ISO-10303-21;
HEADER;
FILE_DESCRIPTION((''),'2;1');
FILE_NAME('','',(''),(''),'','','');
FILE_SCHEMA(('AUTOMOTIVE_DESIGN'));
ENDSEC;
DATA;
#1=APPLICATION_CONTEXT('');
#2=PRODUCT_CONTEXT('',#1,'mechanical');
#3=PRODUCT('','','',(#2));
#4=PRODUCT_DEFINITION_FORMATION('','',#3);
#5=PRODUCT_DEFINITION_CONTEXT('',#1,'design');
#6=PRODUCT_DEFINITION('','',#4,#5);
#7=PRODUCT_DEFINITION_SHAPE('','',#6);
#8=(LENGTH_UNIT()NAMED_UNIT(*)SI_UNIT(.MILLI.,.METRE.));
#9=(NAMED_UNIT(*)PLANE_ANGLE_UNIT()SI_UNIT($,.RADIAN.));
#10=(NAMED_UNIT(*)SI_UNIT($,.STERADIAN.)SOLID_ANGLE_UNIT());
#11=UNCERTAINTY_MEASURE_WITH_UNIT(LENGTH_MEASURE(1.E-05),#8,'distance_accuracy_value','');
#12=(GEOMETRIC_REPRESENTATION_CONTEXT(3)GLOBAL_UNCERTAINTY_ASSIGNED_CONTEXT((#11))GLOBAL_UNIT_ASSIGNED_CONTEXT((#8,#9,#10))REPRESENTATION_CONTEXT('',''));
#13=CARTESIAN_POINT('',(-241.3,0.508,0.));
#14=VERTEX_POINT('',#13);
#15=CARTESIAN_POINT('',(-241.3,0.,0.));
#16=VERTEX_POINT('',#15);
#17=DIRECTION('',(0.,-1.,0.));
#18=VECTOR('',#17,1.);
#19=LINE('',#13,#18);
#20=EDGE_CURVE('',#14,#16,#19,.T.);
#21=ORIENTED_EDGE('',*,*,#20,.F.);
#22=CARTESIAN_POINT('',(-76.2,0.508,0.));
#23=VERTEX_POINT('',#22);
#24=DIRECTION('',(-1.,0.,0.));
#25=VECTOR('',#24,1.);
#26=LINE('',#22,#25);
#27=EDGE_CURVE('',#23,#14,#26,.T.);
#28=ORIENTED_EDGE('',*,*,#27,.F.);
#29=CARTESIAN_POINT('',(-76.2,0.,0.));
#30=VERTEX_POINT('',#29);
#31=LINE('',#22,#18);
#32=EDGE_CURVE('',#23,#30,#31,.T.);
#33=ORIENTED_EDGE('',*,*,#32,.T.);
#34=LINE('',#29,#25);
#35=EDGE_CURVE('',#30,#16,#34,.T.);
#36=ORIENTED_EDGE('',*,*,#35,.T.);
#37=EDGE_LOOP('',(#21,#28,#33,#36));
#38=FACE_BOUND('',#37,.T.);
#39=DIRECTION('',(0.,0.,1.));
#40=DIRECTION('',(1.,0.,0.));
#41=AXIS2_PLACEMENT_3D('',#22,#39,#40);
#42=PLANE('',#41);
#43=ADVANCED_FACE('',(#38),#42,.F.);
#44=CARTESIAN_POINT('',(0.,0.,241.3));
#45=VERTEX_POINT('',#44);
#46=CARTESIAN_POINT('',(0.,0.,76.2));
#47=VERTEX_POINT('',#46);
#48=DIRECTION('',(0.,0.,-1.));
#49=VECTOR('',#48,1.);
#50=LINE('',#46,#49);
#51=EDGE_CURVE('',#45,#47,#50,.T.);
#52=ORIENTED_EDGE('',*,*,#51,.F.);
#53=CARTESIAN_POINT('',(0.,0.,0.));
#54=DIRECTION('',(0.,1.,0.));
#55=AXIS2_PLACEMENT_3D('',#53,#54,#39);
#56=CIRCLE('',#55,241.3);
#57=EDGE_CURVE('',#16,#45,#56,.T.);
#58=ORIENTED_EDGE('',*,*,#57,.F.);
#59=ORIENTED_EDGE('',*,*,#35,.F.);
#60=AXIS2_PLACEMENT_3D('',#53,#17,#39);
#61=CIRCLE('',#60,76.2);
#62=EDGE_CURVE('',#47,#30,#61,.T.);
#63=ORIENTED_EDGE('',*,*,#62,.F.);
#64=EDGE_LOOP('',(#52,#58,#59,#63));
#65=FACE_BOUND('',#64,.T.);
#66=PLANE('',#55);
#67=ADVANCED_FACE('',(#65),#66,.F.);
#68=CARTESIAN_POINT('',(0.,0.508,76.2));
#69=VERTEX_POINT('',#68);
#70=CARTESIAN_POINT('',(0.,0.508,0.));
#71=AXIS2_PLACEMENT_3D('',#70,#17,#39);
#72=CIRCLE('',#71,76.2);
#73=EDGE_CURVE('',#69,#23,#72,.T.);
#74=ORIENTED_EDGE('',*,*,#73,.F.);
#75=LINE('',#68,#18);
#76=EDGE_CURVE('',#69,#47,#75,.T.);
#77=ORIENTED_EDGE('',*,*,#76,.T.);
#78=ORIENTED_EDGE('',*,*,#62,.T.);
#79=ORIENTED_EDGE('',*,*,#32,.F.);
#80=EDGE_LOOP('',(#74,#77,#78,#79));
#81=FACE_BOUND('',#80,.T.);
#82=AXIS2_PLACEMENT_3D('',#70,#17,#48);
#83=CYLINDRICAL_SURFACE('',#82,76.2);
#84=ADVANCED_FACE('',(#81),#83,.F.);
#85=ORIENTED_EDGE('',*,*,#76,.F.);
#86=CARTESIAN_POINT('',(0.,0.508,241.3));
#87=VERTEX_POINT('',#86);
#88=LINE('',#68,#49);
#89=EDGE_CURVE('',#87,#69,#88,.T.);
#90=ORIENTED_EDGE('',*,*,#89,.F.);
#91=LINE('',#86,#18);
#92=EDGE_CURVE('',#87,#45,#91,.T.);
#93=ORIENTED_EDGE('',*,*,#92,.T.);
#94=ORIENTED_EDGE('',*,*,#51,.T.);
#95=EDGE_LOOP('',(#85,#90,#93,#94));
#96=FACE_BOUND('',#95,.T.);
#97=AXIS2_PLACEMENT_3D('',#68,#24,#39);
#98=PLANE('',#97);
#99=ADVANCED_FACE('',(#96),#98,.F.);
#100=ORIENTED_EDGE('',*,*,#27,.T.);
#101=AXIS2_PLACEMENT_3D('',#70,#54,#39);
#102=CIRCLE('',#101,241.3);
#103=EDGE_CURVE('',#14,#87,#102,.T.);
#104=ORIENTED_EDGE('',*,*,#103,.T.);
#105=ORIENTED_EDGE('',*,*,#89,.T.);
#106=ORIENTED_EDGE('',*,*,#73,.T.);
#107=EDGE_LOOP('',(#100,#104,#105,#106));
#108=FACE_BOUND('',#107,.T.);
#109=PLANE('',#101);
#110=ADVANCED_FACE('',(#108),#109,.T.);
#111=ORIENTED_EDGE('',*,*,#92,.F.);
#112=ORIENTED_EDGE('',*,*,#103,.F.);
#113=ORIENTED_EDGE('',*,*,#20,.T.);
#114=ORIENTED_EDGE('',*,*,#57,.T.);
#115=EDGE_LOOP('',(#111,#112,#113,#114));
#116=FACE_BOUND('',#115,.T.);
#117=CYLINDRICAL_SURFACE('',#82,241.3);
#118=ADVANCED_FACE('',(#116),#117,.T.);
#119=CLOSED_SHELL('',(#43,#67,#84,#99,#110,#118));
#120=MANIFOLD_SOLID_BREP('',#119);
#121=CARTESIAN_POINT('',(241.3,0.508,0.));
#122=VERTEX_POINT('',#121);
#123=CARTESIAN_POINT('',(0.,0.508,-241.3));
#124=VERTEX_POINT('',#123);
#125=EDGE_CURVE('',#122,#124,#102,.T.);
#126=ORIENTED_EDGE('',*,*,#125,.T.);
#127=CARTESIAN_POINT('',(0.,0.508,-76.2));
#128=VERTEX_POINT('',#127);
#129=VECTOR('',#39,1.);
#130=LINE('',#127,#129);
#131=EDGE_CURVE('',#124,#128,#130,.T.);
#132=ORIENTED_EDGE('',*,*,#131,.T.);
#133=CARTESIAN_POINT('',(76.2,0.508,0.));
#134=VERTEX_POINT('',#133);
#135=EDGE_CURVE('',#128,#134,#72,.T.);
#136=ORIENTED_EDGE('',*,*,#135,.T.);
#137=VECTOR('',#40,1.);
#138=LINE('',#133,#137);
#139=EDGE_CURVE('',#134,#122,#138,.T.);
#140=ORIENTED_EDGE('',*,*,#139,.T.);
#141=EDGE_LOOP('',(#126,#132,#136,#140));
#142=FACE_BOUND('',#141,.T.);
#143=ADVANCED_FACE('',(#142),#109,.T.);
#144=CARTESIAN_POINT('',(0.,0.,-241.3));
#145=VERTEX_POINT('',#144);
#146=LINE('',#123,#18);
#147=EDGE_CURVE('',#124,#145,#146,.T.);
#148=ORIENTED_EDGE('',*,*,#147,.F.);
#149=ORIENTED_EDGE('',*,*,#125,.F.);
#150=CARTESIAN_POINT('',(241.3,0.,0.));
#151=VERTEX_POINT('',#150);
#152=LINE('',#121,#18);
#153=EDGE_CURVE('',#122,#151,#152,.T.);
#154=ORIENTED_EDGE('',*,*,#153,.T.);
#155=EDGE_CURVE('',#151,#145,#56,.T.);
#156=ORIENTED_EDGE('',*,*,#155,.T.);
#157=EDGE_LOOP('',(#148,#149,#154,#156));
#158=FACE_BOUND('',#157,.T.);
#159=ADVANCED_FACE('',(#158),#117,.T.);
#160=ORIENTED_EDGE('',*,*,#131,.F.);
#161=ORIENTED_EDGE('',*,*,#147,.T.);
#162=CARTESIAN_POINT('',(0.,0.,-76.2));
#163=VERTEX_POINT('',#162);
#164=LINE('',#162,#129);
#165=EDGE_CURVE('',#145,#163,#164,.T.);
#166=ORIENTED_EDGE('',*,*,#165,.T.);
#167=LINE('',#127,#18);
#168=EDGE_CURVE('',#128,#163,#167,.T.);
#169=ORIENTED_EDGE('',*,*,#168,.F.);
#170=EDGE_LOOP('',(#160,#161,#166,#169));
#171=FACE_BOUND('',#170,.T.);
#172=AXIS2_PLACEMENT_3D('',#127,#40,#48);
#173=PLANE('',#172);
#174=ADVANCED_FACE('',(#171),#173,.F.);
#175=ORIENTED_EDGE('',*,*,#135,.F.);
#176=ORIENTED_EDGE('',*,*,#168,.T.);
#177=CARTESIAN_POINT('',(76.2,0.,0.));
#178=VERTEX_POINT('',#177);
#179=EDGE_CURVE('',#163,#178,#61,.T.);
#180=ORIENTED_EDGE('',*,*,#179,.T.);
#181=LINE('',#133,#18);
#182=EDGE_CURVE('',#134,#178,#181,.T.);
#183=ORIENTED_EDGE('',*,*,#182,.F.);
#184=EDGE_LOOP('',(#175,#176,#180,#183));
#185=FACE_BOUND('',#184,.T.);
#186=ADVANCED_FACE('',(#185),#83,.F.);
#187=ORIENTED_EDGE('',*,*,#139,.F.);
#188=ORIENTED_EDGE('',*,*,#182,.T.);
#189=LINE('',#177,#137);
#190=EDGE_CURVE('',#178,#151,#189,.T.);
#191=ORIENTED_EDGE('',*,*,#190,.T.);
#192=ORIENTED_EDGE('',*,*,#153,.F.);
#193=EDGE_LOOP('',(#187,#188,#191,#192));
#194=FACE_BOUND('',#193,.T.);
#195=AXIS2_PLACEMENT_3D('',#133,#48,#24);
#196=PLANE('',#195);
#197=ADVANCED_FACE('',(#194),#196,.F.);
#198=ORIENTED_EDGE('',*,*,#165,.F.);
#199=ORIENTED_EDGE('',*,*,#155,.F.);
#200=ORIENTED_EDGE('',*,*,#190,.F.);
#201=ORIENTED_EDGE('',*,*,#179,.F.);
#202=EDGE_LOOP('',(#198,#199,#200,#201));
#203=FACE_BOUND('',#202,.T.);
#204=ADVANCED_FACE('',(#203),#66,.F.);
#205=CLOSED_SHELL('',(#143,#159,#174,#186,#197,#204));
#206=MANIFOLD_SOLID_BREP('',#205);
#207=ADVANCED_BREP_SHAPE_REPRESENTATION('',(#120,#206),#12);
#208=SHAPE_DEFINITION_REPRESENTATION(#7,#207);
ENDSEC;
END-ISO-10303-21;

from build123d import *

# Parameters (mm, degrees)
BOSS_EXTRUDE1_DEPTH   = 0.508
BOSS_EXTRUDE1_2_DEPTH = 0.508


with BuildPart() as part:
    # Sketch1 → Boss-Extrude1 (new body)
    with BuildSketch(Plane(origin=(0, 0, 0), x_dir=(1, 0, 0), z_dir=(0, 1, 0))):
        with BuildLine():
            Line((0, 76.2), (0, 241.3))
            ThreePointArc((0, 241.3), (170.6248663, 170.6248663), (241.3, 0))
            Line((241.3, 0), (76.2, 0))
            ThreePointArc((76.2, 0), (53.881536726, 53.881536726), (0, 76.2))
        make_face()
    extrude(amount=BOSS_EXTRUDE1_DEPTH)


with BuildPart() as body_2:
    # Sketch1 → Boss-Extrude1 2 (new body)
    with BuildSketch(Plane(origin=(0, 0, 0), x_dir=(1, 0, 0), z_dir=(0, 1, 0))):
        with BuildLine():
            Line((-76.2, 0), (-241.3, 0))
            ThreePointArc((-241.3, 0), (-170.6248663, -170.6248663), (0, -241.3))
            Line((0, -241.3), (0, -76.2))
            ThreePointArc((0, -76.2), (-53.881536726, -53.881536726), (-76.2, 0))
        make_face()
    extrude(amount=BOSS_EXTRUDE1_2_DEPTH)


solid = Compound([part.part, body_2.part])
